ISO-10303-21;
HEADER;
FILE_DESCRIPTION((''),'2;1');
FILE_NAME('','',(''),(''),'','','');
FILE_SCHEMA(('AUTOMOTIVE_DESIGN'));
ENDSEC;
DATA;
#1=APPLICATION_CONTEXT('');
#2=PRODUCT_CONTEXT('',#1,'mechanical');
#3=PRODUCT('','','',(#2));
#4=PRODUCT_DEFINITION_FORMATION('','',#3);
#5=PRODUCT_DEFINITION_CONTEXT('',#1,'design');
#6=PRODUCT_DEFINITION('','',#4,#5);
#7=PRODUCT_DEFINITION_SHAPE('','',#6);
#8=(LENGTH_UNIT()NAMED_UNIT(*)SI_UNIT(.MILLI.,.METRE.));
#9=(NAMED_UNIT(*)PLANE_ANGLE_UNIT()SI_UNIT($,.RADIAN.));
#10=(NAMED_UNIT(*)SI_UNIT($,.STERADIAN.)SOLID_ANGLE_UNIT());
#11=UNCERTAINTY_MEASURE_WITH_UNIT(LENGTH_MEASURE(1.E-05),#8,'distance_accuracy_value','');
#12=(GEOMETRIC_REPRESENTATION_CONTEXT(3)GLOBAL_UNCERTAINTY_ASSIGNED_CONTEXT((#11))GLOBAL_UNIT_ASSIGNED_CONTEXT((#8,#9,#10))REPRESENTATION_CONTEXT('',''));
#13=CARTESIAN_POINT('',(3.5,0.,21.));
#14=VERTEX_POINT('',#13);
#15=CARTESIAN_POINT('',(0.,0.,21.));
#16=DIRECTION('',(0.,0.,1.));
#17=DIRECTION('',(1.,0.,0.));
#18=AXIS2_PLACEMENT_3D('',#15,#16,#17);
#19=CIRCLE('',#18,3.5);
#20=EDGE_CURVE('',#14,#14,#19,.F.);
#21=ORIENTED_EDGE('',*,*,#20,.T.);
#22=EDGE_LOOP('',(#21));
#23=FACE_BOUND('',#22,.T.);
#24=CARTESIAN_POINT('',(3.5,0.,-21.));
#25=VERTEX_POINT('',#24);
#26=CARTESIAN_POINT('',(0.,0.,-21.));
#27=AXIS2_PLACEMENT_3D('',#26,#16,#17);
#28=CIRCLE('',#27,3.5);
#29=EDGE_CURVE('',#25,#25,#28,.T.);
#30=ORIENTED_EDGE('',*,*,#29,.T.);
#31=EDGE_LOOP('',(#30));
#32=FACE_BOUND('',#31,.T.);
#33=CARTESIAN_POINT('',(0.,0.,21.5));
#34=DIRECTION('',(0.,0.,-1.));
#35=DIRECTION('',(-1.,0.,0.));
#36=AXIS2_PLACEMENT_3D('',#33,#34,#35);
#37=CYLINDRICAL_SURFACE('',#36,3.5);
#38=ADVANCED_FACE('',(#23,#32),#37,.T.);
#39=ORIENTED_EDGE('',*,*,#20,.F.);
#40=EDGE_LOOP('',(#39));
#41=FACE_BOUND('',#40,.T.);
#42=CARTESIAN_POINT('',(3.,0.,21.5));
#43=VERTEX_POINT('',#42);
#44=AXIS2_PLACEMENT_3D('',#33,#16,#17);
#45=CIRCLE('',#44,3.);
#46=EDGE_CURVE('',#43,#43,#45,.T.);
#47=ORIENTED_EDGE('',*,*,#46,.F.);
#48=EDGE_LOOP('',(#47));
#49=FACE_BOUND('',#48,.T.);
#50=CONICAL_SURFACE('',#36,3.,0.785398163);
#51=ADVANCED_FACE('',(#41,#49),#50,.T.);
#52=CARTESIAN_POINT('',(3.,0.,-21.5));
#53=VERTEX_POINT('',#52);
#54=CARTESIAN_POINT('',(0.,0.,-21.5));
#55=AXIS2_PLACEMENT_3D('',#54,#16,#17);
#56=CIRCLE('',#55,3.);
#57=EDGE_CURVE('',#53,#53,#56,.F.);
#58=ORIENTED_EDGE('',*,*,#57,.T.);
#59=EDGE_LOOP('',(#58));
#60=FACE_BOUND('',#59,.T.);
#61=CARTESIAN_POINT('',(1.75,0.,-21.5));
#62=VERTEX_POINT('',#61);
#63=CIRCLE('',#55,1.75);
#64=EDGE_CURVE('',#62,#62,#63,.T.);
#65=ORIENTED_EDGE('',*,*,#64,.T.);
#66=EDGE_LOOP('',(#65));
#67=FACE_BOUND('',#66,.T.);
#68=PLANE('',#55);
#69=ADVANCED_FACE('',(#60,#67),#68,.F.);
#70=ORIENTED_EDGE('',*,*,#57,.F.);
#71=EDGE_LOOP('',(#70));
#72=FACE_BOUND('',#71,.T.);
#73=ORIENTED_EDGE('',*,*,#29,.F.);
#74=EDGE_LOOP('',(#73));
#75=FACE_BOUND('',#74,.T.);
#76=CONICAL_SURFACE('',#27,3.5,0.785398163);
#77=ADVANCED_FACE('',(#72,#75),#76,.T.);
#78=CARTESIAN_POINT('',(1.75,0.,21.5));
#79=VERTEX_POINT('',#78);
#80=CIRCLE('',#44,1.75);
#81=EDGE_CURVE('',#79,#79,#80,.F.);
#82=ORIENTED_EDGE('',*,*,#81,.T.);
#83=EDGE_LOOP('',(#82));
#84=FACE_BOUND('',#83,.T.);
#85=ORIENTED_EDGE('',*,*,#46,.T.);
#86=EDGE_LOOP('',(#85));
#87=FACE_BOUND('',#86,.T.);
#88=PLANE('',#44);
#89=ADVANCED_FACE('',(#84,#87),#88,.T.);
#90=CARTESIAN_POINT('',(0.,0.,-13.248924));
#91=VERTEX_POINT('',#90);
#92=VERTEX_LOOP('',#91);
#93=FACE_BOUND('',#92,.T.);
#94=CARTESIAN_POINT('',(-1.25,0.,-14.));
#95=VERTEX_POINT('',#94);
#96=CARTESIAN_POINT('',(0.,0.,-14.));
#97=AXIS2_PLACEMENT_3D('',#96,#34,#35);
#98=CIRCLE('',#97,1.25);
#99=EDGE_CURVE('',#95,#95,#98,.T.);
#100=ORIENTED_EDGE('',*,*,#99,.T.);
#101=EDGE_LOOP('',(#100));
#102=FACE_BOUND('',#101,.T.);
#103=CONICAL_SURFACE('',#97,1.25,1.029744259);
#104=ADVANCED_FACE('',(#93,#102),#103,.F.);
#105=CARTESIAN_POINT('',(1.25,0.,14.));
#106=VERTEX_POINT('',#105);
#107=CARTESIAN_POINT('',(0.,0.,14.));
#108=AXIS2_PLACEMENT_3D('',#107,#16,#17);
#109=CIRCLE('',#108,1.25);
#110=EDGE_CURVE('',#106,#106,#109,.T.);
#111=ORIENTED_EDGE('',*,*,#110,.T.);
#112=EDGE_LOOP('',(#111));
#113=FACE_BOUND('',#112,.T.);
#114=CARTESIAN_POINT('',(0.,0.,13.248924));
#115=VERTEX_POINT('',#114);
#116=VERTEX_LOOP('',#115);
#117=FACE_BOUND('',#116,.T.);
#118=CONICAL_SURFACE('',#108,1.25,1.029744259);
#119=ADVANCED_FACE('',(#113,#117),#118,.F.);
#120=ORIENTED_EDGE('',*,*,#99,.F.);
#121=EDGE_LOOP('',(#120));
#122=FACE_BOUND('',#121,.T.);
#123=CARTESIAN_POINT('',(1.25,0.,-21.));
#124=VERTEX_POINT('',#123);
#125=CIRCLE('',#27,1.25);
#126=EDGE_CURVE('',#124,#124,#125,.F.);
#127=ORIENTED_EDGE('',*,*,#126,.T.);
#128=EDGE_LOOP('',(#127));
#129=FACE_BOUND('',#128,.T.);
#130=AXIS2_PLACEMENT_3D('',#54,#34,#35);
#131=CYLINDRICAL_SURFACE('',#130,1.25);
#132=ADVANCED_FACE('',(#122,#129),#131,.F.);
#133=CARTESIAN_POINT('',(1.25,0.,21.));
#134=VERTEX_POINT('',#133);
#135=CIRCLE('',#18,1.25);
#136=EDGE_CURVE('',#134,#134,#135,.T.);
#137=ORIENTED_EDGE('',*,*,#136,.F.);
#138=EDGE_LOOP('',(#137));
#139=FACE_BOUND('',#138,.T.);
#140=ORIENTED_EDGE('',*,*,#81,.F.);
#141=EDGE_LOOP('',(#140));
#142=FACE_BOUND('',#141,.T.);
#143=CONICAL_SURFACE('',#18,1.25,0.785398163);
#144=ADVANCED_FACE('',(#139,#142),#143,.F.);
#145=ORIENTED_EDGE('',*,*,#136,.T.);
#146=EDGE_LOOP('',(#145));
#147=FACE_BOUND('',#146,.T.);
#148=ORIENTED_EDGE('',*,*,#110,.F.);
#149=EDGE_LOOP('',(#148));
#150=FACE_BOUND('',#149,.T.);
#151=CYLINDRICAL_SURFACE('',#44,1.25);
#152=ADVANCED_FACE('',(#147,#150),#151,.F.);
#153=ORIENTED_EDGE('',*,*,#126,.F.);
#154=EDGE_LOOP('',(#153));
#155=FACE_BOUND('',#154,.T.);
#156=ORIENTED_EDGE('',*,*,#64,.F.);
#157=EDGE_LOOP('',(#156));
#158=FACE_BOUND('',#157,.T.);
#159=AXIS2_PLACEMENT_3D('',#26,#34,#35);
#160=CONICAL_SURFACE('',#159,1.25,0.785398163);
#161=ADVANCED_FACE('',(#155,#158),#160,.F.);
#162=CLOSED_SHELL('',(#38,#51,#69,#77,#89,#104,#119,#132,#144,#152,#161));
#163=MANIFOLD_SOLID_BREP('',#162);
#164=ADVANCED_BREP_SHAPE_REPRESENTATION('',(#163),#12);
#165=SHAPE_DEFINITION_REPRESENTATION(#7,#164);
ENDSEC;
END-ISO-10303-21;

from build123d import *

# Parameters (mm, degrees)
SKETCH_1_R                       = 3.5
EXTRUDE_1_DEPTH                  = 21.5
HOLE_WIZARD_M3_1_D               = 2.5
HOLE_WIZARD_M3_1_DEPTH           = 7.5
HOLE_WIZARD_M3_1_TIP             = 0.751075774
HOLE_WIZARD_M3_1_ON_FACE_2_D     = 2.5
HOLE_WIZARD_M3_1_ON_FACE_2_DEPTH = 7.5
HOLE_WIZARD_M3_1_ON_FACE_2_TIP   = 0.751075774
CHAMFER_1_SIZE                   = 0.5


with BuildPart() as part:
    # 草图1 → 拉伸1 (new, symmetric)
    with BuildSketch(Plane.XY):
        Circle(SKETCH_1_R)
    extrude(amount=EXTRUDE_1_DEPTH, both=True)

    # M3 螺纹孔1
    with Locations(Plane.XY.offset(21.5)):
        with Locations((0, 0)):
            Hole(HOLE_WIZARD_M3_1_D / 2, depth=HOLE_WIZARD_M3_1_DEPTH)
            with Locations((0, 0, -(HOLE_WIZARD_M3_1_DEPTH + HOLE_WIZARD_M3_1_TIP / 2))):  # 118° drill point
                Cone(0, HOLE_WIZARD_M3_1_D / 2, HOLE_WIZARD_M3_1_TIP, mode=Mode.SUBTRACT)

    # M3 螺纹孔1 on face 2
    with Locations(Plane(origin=(0, 0, -21.5), x_dir=(-1, 0, 0), z_dir=(0, 0, -1))):
        with Locations((0, 0)):
            Hole(HOLE_WIZARD_M3_1_ON_FACE_2_D / 2, depth=HOLE_WIZARD_M3_1_ON_FACE_2_DEPTH)
            with Locations((0, 0, -(HOLE_WIZARD_M3_1_ON_FACE_2_DEPTH + HOLE_WIZARD_M3_1_ON_FACE_2_TIP / 2))):  # 118° drill point
                Cone(0, HOLE_WIZARD_M3_1_ON_FACE_2_D / 2, HOLE_WIZARD_M3_1_ON_FACE_2_TIP, mode=Mode.SUBTRACT)

    # 倒角1
    chamfer_1_edges = [part.edges().sort_by_distance(p)[0] for p in [
        (-3.5, 0, -21.5),
        (-3.5, 0, 21.5),
        (-1.25, 0, -21.5),
        (1.25, 0, 21.5),
    ]]
    chamfer(chamfer_1_edges, length=CHAMFER_1_SIZE)


solid = part.part
